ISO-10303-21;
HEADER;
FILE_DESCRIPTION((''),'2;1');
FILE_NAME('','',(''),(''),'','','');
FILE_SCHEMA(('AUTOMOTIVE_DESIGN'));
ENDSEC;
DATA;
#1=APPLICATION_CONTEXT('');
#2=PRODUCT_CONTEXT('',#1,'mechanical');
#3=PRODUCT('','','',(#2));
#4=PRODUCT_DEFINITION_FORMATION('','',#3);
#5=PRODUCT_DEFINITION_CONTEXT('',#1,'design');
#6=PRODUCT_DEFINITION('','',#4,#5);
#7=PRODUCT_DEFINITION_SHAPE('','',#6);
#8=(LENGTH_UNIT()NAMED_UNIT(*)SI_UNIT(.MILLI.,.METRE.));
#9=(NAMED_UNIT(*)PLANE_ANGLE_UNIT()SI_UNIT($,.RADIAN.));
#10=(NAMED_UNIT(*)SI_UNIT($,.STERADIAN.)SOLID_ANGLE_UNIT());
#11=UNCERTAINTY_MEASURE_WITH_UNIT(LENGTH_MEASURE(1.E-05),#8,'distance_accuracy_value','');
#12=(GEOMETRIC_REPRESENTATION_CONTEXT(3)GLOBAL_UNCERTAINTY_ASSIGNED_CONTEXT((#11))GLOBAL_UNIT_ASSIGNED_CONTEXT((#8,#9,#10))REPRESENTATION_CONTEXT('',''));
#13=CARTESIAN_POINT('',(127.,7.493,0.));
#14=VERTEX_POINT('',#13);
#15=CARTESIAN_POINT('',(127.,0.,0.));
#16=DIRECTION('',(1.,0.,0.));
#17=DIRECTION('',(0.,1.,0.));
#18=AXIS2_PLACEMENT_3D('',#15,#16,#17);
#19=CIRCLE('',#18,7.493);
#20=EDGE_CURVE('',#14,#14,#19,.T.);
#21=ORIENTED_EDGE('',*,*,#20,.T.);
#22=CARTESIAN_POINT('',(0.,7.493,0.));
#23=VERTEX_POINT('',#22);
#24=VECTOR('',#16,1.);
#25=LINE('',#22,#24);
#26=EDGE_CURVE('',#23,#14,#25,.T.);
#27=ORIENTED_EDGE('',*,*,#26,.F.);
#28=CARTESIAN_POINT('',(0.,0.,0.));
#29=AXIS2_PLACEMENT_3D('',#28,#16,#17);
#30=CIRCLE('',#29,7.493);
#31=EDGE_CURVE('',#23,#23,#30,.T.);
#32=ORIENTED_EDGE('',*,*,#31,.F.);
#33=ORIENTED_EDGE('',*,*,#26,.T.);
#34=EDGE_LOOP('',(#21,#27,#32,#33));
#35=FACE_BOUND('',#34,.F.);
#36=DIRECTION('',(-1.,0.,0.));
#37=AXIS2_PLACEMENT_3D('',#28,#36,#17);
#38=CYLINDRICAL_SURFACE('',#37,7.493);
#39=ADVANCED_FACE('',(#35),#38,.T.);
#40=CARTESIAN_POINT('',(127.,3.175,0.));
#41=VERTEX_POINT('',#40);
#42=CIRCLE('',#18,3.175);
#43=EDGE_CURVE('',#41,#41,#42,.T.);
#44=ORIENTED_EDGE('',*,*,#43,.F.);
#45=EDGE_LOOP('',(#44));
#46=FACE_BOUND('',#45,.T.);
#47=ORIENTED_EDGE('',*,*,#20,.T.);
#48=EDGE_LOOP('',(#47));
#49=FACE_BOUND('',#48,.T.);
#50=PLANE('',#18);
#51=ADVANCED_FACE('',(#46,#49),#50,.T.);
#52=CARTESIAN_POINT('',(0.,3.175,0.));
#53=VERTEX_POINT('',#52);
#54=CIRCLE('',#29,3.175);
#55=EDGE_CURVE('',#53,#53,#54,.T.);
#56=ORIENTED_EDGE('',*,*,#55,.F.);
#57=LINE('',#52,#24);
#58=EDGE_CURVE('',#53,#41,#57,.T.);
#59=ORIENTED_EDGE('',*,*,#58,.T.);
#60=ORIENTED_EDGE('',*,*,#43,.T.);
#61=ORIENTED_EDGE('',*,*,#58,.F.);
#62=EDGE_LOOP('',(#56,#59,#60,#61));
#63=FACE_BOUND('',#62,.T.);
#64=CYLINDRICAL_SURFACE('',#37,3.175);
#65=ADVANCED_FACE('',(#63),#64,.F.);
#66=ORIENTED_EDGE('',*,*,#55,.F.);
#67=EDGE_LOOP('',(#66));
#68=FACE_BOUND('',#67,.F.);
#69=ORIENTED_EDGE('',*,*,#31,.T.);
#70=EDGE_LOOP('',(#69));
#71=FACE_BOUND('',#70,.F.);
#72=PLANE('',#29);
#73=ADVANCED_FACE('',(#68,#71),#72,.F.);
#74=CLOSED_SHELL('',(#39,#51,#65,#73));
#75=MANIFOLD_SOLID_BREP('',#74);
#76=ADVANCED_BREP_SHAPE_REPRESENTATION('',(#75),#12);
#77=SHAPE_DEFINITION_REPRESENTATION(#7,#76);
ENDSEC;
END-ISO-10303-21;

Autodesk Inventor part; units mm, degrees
ref_plane "YZ Plane" through (0, 0, 0) normal (1, 0, 0) x (0, 1, 0)
ref_plane "XZ Plane" through (0, 0, 0) normal (0, 1, 0) x (-1, 0, 0)
ref_plane "XY Plane" through (0, 0, 0) normal (0, 0, 1) x (1, 0, 0)
sketch "Sketch1" plane through (0, 0, 0) normal (1, 0, 0) x (0, 1, 0)
  circle A0 centre (0, 0) radius 7.493
  circle A1 centre (0, 0) radius 3.175
  dimension "d0" = 6.35
  dimension "d1" = 14.986
extrude "Extrusion1" add sketch "Sketch1" along normal blind 127
equation "\"d0\" = ID"
equation "\"d1\" = OD"
equation "\"d2\" = L"
equation "\"ID\" = 6.35"
equation "\"OD\" = 14.986"
equation "\"L\" = PL"
equation "\"PL\" = 127"
equation "\"Size_Designation\" = 0.25"
properties part number "Parker Hydraulikschlauch - No-Skive 1/4 - 5" material "Kautschuk"
